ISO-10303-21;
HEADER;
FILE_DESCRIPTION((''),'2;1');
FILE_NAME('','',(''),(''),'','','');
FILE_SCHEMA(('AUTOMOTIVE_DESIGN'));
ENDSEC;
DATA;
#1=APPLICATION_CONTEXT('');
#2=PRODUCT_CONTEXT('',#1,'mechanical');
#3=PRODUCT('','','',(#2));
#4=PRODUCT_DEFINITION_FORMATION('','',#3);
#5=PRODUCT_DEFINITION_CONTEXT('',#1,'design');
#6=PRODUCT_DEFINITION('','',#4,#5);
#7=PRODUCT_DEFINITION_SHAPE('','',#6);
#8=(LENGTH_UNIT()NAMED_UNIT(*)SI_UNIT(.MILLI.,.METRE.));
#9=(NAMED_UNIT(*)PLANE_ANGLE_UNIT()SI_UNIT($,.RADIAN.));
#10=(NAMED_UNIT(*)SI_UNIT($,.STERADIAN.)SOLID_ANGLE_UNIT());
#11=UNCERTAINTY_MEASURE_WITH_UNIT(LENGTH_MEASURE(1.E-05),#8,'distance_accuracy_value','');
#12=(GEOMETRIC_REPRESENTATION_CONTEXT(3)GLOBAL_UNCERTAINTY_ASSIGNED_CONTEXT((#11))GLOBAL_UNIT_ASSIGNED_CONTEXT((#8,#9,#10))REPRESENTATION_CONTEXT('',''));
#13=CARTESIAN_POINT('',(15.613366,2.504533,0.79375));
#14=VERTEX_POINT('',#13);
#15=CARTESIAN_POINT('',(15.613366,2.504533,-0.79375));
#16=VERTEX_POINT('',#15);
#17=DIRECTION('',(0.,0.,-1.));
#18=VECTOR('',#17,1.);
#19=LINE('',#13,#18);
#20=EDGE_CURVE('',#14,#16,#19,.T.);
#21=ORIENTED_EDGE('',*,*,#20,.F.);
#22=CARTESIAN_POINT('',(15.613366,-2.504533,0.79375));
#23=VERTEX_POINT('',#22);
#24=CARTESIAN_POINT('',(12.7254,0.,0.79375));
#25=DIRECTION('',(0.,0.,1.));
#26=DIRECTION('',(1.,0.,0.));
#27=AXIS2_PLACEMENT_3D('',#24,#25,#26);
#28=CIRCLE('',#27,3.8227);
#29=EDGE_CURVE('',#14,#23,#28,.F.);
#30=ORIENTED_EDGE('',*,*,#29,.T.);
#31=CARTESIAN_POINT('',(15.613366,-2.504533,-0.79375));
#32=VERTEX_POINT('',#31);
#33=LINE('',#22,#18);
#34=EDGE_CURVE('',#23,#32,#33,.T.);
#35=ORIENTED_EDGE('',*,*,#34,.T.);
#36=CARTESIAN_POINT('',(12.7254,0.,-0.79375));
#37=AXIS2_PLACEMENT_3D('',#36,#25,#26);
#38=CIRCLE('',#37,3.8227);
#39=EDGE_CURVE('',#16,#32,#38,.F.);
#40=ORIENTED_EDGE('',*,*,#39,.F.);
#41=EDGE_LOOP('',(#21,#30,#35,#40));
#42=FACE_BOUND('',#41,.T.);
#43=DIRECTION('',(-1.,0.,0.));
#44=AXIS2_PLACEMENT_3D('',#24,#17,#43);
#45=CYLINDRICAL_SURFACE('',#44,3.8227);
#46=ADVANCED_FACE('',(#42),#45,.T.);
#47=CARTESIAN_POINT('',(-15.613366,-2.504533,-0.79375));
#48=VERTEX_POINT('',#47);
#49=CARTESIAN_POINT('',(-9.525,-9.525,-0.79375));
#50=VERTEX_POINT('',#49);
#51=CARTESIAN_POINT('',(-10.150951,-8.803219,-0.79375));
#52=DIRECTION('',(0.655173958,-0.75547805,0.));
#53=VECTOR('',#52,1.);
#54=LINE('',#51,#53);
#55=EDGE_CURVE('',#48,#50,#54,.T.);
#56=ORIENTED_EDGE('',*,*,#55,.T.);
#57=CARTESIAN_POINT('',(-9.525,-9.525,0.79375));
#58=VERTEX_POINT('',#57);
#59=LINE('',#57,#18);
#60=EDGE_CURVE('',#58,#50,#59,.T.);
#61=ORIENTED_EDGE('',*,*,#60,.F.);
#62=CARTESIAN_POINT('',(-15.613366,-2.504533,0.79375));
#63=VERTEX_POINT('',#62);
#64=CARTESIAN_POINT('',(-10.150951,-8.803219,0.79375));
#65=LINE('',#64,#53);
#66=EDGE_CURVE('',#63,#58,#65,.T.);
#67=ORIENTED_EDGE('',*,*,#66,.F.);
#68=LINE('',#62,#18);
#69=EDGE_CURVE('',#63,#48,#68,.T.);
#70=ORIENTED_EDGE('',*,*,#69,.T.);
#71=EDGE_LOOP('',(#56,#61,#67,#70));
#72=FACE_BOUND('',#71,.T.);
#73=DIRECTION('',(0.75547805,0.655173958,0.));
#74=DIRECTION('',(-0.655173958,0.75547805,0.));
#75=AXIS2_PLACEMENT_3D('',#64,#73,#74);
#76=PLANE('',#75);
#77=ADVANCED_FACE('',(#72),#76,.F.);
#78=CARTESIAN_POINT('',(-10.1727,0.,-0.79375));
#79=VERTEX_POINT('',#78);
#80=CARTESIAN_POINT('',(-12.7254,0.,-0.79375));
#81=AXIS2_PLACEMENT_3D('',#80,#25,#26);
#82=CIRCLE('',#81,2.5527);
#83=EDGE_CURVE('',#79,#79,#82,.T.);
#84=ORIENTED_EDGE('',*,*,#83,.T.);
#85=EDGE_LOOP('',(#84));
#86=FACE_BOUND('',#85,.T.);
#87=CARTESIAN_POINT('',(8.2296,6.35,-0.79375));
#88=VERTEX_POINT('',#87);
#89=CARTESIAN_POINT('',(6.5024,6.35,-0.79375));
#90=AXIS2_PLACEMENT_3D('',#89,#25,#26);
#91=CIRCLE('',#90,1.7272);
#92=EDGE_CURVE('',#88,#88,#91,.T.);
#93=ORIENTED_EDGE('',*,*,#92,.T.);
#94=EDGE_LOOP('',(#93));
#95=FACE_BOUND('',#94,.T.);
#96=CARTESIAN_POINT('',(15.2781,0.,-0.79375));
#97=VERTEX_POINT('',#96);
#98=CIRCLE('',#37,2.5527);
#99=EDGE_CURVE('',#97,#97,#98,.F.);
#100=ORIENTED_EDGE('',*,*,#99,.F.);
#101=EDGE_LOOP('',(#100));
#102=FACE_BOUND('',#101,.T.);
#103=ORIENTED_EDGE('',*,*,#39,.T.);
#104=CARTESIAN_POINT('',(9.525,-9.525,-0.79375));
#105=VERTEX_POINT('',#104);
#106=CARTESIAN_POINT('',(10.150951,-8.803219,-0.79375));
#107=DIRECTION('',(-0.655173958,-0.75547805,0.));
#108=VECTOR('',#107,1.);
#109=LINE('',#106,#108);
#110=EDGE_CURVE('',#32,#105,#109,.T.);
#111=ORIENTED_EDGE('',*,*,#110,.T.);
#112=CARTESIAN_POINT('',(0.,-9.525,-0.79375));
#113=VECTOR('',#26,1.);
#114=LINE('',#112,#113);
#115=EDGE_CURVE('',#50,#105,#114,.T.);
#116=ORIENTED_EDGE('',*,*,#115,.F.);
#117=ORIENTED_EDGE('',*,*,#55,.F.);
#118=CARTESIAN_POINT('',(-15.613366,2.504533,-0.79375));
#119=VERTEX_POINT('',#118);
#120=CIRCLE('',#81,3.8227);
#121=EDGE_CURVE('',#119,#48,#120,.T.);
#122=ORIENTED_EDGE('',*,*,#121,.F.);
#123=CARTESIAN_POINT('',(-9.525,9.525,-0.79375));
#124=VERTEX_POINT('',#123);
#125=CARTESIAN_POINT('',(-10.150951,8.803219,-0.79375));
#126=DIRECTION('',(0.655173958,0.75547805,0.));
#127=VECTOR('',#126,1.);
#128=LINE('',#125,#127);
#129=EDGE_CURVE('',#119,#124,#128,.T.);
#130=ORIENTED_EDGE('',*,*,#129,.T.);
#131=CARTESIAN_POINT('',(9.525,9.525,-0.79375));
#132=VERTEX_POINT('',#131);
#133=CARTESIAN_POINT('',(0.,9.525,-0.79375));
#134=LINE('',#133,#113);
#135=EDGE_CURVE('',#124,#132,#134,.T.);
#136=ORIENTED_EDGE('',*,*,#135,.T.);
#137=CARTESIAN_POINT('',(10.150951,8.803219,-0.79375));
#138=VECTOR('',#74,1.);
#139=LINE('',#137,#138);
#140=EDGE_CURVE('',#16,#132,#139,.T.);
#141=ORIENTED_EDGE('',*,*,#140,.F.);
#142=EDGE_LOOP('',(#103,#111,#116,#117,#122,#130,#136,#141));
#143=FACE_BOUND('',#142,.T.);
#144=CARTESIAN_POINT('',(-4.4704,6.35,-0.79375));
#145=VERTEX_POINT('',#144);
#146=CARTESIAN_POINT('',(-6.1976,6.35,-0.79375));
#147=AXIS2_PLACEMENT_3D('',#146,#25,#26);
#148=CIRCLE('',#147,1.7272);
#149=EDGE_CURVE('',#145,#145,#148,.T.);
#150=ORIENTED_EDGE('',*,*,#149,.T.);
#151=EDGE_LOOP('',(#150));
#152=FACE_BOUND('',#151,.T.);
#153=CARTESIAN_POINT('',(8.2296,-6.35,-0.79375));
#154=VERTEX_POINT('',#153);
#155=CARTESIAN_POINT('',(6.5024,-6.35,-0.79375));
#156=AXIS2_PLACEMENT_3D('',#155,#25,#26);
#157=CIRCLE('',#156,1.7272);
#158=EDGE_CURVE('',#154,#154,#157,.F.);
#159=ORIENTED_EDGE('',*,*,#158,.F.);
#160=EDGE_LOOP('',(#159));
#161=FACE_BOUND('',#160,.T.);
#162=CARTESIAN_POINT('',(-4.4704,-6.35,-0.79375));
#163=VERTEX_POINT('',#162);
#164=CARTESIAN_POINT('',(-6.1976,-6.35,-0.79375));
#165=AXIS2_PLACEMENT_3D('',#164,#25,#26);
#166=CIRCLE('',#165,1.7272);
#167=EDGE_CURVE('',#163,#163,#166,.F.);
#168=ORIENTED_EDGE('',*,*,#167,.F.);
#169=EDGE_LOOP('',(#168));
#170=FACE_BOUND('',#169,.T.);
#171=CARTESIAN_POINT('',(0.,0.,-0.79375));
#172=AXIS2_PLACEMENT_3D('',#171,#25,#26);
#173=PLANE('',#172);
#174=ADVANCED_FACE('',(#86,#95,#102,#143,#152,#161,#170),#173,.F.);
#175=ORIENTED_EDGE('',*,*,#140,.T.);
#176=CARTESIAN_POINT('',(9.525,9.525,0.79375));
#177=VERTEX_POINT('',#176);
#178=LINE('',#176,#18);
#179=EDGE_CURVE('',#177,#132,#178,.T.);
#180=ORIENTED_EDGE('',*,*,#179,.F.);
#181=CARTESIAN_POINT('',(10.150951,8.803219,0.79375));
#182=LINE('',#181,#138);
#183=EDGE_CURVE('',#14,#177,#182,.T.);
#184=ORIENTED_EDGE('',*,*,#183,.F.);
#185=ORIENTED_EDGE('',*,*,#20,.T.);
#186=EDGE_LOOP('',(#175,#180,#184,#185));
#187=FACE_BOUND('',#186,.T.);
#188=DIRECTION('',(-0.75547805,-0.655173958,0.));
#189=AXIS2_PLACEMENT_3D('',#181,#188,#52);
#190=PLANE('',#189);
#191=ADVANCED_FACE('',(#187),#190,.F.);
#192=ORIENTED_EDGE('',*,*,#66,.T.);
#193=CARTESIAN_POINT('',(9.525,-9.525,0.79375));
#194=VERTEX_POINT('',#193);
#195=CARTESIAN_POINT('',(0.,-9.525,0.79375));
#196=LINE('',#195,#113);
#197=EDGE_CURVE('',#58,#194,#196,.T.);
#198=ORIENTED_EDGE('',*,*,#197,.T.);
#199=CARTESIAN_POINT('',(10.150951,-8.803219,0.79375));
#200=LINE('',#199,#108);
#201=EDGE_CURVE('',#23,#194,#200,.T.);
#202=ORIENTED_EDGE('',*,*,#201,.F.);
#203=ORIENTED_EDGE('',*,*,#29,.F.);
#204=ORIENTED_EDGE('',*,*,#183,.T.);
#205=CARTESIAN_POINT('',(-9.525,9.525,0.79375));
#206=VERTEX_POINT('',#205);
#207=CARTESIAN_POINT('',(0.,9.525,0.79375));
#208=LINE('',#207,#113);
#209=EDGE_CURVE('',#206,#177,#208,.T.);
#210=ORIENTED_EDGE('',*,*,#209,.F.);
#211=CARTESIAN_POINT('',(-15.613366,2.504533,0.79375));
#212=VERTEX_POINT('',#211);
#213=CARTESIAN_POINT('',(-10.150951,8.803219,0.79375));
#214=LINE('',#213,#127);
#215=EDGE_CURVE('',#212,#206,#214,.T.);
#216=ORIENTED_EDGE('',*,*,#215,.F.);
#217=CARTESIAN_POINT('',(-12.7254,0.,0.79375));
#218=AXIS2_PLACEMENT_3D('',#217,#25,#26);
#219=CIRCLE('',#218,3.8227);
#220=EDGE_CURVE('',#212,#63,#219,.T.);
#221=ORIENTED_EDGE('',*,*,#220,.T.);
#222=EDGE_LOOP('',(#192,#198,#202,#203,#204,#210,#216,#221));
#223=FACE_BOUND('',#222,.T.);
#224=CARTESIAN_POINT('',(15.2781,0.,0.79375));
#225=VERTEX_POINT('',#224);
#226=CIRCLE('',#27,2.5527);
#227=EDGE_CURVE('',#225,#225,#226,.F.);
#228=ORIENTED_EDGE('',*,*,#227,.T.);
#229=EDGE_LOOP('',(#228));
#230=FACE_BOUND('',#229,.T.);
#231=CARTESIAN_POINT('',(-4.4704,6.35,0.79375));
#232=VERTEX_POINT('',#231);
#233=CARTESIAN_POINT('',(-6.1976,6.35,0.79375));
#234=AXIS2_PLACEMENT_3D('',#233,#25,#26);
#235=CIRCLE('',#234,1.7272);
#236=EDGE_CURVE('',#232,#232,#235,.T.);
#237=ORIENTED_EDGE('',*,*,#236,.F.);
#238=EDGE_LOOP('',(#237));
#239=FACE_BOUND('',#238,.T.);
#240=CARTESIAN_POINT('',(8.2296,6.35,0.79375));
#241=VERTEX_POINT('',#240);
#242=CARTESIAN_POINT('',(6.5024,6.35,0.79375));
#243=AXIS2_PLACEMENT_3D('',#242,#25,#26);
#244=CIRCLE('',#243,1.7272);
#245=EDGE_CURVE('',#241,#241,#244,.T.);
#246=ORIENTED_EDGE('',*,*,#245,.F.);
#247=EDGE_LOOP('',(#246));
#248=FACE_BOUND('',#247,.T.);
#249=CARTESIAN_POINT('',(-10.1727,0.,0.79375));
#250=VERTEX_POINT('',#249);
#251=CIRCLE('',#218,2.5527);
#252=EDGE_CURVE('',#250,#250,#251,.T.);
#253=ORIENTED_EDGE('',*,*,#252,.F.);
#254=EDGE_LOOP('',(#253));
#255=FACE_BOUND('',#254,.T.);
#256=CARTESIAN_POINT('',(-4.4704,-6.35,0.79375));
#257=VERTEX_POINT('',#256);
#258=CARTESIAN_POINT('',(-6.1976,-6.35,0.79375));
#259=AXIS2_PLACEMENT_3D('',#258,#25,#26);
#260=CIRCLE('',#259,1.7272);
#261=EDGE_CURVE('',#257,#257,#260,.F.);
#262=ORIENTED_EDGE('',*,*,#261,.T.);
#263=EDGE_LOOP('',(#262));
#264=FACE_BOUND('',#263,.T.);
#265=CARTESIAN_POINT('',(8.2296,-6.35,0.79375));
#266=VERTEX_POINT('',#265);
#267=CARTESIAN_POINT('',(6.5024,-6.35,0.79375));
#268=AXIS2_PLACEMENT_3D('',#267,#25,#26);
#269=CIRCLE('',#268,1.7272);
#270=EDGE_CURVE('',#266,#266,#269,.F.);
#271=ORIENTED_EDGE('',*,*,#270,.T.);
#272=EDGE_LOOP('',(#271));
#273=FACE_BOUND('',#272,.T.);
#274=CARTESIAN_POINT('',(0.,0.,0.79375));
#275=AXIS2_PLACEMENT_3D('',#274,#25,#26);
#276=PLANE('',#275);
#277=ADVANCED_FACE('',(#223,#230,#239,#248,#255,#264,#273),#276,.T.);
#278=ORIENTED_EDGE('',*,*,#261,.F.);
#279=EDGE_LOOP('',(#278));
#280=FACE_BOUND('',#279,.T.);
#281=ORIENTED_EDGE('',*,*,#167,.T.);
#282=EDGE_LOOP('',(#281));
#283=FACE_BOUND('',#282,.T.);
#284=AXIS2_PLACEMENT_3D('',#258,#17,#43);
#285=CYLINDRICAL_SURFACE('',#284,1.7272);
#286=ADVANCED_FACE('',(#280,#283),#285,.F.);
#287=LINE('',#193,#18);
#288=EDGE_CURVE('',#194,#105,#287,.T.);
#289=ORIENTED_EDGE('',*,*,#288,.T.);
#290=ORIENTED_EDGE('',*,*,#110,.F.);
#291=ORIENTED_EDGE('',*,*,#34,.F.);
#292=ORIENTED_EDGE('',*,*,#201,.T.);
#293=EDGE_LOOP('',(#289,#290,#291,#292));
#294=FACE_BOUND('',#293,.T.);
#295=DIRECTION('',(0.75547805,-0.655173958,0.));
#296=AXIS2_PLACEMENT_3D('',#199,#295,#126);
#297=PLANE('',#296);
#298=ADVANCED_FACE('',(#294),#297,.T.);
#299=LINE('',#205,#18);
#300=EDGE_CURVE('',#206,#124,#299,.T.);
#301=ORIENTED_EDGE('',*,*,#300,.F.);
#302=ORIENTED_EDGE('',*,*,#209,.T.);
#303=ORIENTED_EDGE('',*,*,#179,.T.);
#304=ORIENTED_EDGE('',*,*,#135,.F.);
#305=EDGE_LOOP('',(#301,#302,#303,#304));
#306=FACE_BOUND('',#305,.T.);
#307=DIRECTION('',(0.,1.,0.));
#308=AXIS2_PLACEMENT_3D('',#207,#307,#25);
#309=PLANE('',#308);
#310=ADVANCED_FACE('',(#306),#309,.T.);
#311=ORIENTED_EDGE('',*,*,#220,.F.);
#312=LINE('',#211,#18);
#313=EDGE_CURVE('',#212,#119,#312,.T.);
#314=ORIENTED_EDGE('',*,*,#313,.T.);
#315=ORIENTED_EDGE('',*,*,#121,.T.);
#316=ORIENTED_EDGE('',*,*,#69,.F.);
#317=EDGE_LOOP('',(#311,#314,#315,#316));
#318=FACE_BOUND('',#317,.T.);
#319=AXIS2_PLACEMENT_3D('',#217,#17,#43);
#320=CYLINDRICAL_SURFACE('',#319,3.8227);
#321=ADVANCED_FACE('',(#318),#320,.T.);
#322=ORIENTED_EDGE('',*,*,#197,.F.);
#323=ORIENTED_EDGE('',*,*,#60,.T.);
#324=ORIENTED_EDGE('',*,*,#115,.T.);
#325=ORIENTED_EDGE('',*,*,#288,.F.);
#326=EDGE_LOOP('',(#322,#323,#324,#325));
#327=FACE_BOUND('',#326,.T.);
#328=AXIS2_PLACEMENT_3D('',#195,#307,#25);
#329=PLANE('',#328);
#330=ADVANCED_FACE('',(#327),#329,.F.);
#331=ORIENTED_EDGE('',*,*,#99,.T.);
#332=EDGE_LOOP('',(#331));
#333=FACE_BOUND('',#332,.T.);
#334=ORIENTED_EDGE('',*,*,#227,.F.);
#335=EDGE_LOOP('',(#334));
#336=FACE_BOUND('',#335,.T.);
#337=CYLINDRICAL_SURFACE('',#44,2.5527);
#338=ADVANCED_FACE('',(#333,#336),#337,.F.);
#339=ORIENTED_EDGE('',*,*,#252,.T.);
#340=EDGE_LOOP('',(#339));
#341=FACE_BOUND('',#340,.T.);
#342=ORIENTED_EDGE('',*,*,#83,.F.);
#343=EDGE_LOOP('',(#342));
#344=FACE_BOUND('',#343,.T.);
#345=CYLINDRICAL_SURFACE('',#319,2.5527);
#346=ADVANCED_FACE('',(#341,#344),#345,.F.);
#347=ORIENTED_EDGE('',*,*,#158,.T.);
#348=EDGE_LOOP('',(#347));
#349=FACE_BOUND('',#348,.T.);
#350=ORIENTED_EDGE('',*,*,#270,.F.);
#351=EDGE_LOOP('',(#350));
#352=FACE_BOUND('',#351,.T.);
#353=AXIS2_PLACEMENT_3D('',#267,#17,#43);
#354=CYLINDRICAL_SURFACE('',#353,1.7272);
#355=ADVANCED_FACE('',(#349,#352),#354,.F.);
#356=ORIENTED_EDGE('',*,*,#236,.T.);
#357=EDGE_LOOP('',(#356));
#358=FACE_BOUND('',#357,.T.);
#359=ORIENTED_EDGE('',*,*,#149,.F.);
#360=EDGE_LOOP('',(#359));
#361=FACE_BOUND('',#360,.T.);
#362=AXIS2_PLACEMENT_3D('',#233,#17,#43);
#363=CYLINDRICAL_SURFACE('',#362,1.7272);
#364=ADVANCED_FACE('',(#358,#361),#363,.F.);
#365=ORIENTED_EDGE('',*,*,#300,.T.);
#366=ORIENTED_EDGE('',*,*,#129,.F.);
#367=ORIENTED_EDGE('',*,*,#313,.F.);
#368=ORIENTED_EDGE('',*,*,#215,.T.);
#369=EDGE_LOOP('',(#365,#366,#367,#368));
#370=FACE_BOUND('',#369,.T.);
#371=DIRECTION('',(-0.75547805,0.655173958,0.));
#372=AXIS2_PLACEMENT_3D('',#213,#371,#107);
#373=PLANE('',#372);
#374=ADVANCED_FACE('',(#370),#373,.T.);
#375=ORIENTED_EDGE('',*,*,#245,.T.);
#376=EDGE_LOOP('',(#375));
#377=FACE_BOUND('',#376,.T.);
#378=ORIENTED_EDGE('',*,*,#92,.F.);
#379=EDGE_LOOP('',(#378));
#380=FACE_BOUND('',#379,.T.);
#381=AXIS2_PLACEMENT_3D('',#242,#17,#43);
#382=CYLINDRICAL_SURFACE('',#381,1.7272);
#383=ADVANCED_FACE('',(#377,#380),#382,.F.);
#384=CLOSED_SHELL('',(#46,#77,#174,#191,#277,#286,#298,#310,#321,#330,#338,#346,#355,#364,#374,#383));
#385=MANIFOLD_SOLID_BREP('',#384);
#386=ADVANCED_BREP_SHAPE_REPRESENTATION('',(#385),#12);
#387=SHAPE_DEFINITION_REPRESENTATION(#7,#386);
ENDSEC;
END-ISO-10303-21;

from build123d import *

# Parameters (mm, degrees)
CROQUIS1_R              = 1.7272
CROQUIS1_R_2            = 2.5527
SALIENTE_EXTRUIR1_DEPTH = 0.79375


with BuildPart() as part:
    # Croquis1 → Saliente-Extruir1 (new, symmetric)
    with BuildSketch(Plane.XY):
        with BuildLine():
            ThreePointArc((-15.613365943, 2.50453349), (-16.5481, 0), (-15.613365943, -2.50453349))
            Line((-15.613365943, -2.50453349), (-9.525, -9.525))
            Line((-9.525, -9.525), (9.525, -9.525))
            Line((9.525, -9.525), (15.613365943, -2.50453349))
            ThreePointArc((15.613365943, -2.50453349), (16.5481, 0), (15.613365943, 2.50453349))
            Line((15.613365943, 2.50453349), (9.525, 9.525))
            Line((9.525, 9.525), (-9.525, 9.525))
            Line((-9.525, 9.525), (-15.613365943, 2.50453349))
        make_face()
        with Locations((-6.1976, -6.35)):
            Circle(CROQUIS1_R, mode=Mode.SUBTRACT)
        with Locations((6.5024, -6.35)):
            Circle(CROQUIS1_R, mode=Mode.SUBTRACT)
        with Locations((-12.7254, 0)):
            Circle(CROQUIS1_R_2, mode=Mode.SUBTRACT)
        with Locations((-6.1976, 6.35)):
            Circle(CROQUIS1_R, mode=Mode.SUBTRACT)
        with Locations((6.5024, 6.35)):
            Circle(CROQUIS1_R, mode=Mode.SUBTRACT)
        with Locations((12.7254, 0)):
            Circle(CROQUIS1_R_2, mode=Mode.SUBTRACT)
    extrude(amount=SALIENTE_EXTRUIR1_DEPTH, both=True)


solid = part.part
